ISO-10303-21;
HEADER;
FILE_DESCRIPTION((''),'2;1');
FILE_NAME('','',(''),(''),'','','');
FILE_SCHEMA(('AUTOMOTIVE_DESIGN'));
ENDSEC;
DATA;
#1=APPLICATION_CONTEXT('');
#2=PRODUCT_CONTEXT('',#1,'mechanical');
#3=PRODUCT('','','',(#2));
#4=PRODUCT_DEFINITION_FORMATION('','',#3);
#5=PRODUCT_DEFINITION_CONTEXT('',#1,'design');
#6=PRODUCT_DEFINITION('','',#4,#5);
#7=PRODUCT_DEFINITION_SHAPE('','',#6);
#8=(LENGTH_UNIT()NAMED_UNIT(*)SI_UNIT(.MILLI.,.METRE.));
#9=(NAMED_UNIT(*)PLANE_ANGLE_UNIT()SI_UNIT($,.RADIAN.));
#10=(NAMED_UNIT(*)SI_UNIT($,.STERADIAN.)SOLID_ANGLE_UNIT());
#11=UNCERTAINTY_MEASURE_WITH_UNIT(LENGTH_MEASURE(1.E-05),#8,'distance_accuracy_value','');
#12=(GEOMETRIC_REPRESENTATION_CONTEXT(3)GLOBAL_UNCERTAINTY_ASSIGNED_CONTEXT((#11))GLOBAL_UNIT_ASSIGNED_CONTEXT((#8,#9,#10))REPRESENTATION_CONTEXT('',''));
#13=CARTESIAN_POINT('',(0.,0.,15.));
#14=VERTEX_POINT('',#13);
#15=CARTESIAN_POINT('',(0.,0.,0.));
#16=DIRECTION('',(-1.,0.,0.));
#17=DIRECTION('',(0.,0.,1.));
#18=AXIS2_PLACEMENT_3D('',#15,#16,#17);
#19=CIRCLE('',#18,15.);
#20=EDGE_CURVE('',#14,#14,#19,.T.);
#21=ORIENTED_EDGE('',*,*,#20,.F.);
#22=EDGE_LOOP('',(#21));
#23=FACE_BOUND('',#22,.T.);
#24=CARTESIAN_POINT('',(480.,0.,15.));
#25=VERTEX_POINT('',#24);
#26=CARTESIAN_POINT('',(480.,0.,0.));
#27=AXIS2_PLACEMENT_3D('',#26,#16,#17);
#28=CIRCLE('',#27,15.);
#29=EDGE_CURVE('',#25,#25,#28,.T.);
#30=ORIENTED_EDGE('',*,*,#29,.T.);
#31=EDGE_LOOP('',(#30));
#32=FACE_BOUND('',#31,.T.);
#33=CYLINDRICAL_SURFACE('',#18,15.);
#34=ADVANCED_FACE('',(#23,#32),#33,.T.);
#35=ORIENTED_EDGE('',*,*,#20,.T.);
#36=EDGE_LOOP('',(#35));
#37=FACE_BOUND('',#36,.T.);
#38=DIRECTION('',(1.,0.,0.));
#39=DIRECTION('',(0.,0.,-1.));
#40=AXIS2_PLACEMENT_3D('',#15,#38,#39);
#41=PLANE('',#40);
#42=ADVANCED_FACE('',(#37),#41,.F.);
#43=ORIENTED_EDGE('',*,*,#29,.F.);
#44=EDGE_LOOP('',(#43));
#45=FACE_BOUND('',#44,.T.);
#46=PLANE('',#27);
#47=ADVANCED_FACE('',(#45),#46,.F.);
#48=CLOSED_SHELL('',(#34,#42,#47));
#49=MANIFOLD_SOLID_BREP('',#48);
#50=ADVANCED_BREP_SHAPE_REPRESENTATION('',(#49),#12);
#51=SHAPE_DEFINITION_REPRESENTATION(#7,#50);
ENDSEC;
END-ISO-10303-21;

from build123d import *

# Parameters (mm, degrees)
SKETCH_1_W = 480
SKETCH_1_H = 15


with BuildPart() as part:
    # 草图1 → 旋转1 (revolve)
    with BuildSketch(Plane.XY):
        with Locations((240, 7.5)):
            Rectangle(SKETCH_1_W, SKETCH_1_H)
    revolve(axis=Axis((0, 0, 0), (1, 0, 0)))


solid = part.part
